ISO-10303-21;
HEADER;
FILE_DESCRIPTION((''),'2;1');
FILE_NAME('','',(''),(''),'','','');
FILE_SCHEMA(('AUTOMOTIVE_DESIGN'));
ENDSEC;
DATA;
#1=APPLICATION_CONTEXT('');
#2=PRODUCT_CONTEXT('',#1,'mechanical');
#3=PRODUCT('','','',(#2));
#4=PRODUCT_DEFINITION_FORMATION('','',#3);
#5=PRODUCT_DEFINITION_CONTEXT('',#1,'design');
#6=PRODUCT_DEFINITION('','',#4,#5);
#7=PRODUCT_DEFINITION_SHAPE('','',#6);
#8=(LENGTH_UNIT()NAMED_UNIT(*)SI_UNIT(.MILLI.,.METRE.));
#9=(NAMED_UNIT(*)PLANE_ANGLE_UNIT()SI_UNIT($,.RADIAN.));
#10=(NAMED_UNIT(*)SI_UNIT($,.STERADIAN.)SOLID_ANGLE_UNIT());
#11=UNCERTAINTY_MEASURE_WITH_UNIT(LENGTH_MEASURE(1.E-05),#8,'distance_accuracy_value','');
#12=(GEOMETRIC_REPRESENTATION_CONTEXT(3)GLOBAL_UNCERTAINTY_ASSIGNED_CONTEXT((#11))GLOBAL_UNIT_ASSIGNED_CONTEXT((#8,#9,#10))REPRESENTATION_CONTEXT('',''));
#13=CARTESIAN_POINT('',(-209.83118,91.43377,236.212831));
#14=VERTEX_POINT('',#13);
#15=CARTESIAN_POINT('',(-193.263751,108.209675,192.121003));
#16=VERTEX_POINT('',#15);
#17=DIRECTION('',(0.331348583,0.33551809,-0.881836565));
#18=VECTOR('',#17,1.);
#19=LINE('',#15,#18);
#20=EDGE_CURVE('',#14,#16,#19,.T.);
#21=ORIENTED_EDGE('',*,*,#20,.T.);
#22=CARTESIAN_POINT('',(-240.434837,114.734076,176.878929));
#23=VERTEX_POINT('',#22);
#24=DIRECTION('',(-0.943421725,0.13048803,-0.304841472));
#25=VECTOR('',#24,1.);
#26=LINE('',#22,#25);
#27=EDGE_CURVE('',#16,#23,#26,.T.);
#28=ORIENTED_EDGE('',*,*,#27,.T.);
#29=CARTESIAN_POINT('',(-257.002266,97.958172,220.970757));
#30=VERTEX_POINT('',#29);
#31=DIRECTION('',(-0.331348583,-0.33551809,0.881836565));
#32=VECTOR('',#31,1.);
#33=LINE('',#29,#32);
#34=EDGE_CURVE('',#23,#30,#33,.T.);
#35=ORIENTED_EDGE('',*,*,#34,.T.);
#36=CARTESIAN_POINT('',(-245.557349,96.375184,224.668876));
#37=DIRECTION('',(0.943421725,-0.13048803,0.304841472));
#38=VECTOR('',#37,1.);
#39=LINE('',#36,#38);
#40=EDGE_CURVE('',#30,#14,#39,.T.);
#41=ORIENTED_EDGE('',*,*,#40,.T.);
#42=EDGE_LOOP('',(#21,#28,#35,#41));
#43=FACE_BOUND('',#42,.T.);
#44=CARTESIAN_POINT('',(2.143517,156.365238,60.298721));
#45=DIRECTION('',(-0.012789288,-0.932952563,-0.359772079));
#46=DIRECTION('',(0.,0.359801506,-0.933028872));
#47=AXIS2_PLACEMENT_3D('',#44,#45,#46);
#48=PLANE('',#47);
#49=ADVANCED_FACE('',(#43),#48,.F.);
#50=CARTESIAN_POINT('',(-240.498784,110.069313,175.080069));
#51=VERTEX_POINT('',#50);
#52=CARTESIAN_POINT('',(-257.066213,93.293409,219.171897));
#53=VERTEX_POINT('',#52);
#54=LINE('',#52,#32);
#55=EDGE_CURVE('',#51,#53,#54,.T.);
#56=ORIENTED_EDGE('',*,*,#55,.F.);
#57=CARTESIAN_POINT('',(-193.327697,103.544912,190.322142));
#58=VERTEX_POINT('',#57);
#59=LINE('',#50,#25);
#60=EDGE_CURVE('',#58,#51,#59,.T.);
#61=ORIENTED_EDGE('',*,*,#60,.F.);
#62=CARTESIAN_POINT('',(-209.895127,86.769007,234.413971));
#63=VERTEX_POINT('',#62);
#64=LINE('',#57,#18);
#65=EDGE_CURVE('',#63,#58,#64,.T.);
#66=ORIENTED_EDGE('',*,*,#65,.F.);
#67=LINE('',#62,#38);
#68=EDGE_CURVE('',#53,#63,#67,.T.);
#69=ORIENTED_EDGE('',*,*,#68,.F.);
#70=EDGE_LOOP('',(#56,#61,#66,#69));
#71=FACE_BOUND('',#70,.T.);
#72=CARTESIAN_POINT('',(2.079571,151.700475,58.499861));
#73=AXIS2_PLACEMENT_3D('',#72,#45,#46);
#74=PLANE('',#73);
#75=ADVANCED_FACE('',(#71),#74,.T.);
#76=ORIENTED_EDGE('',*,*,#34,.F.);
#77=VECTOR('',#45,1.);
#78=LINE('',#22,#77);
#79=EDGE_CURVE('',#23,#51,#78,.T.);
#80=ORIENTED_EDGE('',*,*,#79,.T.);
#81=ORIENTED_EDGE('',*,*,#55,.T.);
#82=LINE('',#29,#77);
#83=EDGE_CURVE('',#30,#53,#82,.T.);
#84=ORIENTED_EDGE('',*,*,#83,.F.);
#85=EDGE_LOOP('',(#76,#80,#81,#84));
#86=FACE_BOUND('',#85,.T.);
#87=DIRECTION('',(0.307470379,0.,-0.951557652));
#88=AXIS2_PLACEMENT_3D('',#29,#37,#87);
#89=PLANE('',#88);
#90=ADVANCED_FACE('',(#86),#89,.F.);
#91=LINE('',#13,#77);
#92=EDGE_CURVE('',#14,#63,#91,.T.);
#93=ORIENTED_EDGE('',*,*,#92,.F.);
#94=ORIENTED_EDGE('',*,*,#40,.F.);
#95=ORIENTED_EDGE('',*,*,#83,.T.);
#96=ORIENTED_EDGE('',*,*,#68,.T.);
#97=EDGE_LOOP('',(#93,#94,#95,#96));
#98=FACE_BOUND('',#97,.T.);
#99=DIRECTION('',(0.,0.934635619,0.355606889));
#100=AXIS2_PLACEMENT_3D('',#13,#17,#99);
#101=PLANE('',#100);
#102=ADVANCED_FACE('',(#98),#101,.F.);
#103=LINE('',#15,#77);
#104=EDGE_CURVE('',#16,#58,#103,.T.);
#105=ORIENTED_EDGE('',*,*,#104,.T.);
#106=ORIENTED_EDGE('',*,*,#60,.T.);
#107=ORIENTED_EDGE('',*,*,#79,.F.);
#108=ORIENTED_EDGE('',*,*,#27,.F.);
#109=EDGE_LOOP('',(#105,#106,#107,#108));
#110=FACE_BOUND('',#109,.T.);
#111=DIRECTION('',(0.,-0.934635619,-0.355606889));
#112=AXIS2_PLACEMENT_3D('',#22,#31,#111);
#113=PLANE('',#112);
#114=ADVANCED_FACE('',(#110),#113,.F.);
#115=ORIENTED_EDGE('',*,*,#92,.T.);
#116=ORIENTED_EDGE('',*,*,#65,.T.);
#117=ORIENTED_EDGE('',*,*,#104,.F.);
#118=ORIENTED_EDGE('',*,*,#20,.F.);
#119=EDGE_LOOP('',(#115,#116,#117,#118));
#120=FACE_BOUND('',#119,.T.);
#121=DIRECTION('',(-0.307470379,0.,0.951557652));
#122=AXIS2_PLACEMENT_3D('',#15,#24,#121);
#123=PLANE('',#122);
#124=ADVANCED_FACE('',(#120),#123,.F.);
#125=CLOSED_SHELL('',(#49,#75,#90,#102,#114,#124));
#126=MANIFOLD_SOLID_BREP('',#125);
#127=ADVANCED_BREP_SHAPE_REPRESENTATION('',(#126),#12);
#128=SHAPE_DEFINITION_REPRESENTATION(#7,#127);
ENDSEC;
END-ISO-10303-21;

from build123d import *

# Parameters (mm, degrees)
BOSS_EXTRUDE1_DEPTH = 5


with BuildPart() as part:
    # Sketch2 → Boss-Extrude1 (new body)
    with BuildSketch(Plane(origin=(-485.015646161, 24.093142413, 406.723630023), x_dir=(-0.331348583, -0.33551809, 0.881836565), z_dir=(0.012789288, 0.932952563, 0.359772079))):
        Polygon((-264.138639033, 198.849094652), (-264.138639033, 160.980379416), (-264.138639033, 148.849094652), (-314.138639033, 148.849094652), (-314.138639033, 198.849094652), align=None)
    extrude(amount=BOSS_EXTRUDE1_DEPTH)


solid = part.part
